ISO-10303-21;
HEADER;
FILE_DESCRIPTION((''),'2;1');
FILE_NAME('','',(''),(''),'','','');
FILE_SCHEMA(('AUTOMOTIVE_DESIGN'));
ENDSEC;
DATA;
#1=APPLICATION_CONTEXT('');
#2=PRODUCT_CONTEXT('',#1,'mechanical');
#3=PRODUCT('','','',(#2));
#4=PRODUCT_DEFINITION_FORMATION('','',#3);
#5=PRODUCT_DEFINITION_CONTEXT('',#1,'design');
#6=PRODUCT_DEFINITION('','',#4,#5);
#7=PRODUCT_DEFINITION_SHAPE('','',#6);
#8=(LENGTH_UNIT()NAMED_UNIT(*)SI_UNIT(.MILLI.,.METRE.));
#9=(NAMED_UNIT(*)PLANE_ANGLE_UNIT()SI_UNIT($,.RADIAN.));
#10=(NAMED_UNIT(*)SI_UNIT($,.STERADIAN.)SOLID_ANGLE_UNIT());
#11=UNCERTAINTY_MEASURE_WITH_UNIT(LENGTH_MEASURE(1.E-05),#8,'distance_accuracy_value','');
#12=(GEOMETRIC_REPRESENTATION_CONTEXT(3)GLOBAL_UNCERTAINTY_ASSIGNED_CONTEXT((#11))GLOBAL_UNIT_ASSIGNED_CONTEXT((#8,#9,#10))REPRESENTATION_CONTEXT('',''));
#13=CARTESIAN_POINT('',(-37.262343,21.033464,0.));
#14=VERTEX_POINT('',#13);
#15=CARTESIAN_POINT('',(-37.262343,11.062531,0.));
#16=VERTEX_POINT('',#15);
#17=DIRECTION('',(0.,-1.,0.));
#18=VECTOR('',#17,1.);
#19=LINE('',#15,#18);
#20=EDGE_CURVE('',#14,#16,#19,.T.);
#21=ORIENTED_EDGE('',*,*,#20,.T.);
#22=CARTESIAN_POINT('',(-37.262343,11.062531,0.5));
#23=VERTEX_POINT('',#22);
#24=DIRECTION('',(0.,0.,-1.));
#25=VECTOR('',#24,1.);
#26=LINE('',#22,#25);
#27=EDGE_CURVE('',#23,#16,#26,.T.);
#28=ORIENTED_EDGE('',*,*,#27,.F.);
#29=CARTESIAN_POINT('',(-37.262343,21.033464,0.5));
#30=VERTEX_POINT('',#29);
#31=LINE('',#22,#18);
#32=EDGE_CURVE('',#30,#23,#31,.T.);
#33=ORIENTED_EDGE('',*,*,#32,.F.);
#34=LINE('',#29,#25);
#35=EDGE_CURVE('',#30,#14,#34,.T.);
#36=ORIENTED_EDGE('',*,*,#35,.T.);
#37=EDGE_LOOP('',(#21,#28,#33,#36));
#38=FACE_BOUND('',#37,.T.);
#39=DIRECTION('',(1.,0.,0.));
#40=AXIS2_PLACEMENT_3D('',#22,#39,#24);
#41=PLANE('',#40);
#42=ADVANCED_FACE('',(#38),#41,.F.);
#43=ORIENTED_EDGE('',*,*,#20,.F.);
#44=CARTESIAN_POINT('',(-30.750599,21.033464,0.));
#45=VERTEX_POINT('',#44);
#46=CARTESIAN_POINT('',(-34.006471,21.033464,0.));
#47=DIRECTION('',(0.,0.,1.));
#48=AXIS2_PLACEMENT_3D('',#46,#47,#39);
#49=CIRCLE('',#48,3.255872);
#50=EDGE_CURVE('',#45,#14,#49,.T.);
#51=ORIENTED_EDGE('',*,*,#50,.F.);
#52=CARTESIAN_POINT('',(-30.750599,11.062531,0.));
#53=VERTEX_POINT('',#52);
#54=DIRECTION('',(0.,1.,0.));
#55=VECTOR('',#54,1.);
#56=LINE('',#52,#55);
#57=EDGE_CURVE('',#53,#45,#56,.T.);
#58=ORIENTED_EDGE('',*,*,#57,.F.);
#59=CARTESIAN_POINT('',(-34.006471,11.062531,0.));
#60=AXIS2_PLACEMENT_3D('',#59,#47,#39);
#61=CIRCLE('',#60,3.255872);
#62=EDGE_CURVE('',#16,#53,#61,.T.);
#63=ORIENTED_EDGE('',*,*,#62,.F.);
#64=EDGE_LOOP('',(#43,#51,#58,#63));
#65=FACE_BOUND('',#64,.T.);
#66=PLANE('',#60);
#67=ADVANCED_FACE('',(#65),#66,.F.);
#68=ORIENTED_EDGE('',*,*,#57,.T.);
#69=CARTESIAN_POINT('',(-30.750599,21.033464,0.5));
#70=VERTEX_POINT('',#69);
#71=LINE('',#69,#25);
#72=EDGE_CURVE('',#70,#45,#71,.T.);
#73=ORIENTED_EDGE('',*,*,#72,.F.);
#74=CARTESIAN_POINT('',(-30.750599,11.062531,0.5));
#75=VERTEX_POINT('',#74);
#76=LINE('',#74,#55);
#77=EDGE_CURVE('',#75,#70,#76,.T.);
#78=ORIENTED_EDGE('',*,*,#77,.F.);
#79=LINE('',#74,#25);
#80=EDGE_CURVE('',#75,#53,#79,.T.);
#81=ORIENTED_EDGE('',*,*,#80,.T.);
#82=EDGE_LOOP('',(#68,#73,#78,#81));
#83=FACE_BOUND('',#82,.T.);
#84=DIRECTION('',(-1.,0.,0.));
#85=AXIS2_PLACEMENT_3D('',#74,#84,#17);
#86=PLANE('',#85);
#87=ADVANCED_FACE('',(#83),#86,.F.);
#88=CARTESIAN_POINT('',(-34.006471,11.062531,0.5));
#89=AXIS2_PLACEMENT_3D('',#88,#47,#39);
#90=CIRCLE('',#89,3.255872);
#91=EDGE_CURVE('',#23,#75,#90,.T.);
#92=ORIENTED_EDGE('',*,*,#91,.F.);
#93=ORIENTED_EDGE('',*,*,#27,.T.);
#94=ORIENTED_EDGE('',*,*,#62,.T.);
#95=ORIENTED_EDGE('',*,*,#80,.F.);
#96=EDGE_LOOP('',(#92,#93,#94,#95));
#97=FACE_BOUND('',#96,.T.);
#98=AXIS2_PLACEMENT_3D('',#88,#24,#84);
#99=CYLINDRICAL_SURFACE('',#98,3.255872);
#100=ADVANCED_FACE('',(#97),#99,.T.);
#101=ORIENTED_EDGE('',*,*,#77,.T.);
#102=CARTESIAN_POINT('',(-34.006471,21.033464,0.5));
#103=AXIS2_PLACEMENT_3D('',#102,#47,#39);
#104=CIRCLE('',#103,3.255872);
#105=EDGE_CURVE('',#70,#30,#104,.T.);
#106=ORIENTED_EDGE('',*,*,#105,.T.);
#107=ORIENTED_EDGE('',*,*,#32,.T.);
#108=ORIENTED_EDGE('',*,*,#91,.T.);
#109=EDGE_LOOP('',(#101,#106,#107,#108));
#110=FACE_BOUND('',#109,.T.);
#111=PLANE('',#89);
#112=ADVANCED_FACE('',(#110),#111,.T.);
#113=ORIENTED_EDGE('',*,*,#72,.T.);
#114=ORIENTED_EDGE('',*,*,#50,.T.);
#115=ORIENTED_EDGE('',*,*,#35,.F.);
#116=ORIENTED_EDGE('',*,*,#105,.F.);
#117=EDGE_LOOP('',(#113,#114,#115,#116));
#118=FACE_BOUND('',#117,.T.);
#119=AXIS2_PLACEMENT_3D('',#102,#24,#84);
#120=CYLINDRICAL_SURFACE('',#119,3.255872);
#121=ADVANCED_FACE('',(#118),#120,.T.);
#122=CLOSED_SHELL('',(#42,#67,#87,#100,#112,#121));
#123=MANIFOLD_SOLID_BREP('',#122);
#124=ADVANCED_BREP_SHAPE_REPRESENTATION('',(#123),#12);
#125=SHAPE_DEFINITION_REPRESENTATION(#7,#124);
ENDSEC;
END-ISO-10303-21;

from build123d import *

# Parameters (mm, degrees)
BOSS_EXTRUDE1_DEPTH = 0.5


with BuildPart() as part:
    # Sketch1 → Boss-Extrude1 (new body)
    with BuildSketch(Plane.XY):
        with BuildLine():
            Line((-37.262343372, 11.062531061), (-37.262343372, 21.033464005))
            ThreePointArc((-37.262343372, 21.033464005), (-34.006470963, 24.289336414), (-30.750598554, 21.033464005))
            Line((-30.750598554, 21.033464005), (-30.750598554, 11.062531061))
            ThreePointArc((-30.750598554, 11.062531061), (-34.006470963, 7.806658653), (-37.262343372, 11.062531061))
        make_face()
    extrude(amount=BOSS_EXTRUDE1_DEPTH)


solid = part.part
